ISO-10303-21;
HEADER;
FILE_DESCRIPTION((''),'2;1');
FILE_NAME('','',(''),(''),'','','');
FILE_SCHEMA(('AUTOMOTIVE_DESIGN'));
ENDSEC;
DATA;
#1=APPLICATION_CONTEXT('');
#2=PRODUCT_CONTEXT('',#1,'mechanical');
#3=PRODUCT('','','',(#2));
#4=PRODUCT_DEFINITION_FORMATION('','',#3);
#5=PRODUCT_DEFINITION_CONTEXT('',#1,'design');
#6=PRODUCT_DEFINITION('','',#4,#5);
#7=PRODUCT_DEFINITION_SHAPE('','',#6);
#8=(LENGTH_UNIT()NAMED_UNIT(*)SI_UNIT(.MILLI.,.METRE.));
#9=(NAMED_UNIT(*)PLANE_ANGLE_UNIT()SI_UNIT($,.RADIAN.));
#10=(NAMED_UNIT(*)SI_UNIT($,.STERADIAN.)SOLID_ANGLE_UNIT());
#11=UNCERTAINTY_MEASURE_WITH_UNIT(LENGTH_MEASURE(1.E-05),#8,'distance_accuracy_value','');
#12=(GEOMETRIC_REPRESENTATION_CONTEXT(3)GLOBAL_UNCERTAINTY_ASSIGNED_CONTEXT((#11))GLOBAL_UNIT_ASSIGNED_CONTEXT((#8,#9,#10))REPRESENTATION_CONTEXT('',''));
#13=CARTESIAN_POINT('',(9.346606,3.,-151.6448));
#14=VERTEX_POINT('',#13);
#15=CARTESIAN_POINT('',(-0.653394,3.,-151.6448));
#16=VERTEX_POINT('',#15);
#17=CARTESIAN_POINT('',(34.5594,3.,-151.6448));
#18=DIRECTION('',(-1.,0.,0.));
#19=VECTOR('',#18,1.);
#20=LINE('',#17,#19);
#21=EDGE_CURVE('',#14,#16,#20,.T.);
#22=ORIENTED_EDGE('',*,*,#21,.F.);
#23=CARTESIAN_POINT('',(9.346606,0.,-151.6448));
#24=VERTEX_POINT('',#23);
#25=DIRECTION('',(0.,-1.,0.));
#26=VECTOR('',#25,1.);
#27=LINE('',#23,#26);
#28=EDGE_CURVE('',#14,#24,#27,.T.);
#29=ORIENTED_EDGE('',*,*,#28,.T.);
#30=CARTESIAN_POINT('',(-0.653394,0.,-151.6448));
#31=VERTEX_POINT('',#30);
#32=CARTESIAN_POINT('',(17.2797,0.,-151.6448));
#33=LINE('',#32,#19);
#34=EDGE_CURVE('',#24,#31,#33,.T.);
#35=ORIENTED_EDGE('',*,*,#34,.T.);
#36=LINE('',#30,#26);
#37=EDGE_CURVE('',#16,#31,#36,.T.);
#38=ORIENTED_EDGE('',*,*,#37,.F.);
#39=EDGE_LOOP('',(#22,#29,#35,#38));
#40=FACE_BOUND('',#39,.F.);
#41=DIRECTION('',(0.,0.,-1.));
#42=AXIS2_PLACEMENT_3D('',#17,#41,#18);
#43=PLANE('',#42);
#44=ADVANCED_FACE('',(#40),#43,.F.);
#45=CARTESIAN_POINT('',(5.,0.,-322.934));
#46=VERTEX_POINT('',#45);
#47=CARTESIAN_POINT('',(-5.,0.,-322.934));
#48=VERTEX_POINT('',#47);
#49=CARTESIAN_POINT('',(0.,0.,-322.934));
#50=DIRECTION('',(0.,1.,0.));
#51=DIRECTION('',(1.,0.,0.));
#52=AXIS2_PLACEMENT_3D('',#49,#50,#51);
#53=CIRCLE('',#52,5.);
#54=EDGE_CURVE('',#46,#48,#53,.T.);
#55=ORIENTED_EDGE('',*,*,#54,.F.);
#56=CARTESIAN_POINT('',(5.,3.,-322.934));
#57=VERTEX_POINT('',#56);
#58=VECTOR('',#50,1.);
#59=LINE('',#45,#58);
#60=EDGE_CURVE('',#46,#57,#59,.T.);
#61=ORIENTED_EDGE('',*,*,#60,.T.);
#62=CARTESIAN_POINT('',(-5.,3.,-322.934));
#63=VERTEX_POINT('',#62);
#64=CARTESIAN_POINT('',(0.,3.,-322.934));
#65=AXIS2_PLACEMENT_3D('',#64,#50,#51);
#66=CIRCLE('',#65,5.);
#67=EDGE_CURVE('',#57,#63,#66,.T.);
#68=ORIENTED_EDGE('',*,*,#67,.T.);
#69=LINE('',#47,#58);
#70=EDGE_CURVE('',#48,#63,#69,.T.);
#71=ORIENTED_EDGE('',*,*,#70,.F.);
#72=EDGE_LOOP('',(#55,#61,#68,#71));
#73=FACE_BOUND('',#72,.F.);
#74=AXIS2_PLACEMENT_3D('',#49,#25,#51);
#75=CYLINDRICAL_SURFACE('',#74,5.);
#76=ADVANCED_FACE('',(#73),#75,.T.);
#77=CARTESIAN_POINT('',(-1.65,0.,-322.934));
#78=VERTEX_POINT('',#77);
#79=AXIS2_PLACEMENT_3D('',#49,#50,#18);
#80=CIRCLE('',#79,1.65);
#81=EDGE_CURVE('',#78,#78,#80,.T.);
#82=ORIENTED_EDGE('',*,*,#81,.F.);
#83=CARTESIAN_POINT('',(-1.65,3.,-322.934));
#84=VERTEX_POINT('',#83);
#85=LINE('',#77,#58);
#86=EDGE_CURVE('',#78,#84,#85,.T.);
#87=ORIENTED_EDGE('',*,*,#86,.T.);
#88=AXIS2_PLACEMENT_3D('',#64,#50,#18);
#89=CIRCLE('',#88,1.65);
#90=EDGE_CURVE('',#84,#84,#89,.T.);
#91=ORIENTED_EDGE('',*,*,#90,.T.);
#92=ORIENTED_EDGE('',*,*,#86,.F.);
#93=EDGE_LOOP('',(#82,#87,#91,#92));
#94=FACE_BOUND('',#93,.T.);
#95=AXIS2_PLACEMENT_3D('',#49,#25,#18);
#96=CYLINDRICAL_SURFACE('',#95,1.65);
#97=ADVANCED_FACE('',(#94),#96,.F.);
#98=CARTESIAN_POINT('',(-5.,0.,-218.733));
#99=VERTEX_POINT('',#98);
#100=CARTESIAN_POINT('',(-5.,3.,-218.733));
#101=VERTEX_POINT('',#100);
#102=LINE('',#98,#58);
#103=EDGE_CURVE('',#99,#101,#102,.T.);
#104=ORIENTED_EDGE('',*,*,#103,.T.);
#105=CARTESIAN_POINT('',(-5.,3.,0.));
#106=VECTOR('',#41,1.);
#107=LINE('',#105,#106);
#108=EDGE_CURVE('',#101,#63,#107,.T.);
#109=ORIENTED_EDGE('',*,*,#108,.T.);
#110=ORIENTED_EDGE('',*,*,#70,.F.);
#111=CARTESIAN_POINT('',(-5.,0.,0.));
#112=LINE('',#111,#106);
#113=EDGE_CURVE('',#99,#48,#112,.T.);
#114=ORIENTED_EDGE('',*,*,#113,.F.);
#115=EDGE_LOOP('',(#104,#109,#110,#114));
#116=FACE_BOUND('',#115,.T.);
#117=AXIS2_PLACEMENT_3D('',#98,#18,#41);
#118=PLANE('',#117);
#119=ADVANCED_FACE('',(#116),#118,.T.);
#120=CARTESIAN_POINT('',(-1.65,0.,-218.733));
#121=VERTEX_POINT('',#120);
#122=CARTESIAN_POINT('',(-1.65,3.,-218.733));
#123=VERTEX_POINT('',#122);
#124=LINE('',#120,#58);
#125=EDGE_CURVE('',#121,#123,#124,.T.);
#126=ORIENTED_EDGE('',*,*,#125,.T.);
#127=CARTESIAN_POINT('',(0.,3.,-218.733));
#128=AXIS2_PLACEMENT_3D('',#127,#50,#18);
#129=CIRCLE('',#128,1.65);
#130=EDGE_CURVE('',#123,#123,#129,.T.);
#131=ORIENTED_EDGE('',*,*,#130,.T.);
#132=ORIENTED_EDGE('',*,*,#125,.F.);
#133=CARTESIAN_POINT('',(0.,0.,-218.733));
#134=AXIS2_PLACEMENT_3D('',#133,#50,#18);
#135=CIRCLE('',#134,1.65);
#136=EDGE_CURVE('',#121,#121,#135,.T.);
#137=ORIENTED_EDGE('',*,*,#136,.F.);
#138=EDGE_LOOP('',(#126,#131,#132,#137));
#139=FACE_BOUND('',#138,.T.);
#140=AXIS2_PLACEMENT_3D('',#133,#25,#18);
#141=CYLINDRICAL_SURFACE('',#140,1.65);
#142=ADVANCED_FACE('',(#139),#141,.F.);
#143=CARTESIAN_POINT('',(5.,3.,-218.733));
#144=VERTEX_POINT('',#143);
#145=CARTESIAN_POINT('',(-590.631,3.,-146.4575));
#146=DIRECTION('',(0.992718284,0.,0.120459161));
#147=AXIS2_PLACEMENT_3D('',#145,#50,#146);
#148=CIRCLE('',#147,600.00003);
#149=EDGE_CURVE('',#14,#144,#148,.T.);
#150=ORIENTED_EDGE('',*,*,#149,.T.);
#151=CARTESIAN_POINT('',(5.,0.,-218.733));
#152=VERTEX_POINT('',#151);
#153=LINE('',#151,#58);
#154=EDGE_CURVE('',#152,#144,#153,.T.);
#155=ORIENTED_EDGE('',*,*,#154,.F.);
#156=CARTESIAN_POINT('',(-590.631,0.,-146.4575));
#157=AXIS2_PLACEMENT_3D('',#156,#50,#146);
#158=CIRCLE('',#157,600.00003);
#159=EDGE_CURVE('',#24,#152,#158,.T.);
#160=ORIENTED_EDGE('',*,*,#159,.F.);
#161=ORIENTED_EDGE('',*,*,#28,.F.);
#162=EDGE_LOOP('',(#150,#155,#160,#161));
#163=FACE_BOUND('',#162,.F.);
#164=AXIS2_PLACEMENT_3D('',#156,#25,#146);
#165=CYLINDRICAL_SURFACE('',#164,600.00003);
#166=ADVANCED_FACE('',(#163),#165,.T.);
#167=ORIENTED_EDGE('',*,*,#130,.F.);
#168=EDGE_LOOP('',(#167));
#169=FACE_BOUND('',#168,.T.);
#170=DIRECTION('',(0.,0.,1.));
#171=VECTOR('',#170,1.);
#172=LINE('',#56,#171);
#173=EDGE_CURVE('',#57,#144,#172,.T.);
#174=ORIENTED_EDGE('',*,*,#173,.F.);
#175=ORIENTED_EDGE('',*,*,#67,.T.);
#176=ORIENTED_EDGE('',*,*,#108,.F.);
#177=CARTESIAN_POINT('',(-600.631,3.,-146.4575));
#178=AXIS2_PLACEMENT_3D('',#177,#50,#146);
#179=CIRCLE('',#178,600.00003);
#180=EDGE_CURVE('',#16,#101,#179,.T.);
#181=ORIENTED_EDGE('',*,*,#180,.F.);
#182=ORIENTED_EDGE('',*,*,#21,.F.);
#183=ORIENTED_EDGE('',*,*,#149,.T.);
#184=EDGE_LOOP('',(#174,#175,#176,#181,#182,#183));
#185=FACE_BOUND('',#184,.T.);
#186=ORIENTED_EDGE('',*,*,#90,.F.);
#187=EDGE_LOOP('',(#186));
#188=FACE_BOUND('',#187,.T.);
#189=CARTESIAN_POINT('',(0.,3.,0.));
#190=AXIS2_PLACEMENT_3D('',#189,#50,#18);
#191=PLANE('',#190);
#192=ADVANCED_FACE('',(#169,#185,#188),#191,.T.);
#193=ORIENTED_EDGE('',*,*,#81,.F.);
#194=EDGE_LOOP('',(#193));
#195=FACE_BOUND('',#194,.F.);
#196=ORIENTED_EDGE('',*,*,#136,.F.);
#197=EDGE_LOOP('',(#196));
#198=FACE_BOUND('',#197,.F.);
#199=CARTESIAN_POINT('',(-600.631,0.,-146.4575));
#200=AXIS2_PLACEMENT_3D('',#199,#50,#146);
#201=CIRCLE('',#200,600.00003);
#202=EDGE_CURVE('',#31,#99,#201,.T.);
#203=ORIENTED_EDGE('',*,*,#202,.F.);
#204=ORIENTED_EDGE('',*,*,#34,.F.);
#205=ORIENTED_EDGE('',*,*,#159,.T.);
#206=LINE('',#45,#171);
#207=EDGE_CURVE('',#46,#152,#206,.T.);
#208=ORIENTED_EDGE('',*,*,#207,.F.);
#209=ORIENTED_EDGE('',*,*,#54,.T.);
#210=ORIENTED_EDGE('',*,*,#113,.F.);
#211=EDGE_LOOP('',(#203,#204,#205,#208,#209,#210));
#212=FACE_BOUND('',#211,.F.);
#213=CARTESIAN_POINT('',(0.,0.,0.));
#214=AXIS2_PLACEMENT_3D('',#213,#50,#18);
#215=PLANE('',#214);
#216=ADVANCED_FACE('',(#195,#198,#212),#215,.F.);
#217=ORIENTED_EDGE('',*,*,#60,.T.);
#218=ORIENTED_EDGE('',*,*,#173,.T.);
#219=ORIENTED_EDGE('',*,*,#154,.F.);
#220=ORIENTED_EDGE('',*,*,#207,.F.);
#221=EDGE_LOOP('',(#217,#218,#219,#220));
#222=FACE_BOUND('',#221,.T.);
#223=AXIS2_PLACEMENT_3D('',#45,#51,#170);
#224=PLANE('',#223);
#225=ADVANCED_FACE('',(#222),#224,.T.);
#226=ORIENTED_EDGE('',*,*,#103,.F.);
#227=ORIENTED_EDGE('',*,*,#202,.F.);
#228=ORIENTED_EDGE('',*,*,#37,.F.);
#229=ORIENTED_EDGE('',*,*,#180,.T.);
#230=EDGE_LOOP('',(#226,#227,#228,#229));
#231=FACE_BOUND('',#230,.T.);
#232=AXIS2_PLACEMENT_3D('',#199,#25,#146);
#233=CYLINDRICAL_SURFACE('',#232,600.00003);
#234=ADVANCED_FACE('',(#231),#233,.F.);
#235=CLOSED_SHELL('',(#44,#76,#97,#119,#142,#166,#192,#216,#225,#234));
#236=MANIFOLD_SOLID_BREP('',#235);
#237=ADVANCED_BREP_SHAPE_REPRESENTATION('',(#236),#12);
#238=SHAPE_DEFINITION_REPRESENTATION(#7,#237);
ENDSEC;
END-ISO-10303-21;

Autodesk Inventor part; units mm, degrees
ref_plane "YZ Plane" through (0, 0, 0) normal (1, 0, 0) x (0, 1, 0)
ref_plane "XZ Plane" through (0, 0, 0) normal (0, 1, 0) x (-1, 0, 0)
ref_plane "XY Plane" through (0, 0, 0) normal (0, 0, 1) x (1, 0, 0)
sketch "Sketch1" plane through (0, 0, 0) normal (0, 1, 0) x (-1, 0, 0)
  line L0 (0, 0) -> (0, -322.934) construction
  line L1 (5, 0) -> (5, -322.934)
  line L2 (-5, -322.934) -> (-5, 0)
  arc A0 (5, 0) -> (-5, 0) centre (0, 0) ccw
  arc A1 (-5, -322.934) -> (5, -322.934) centre (0, -322.934) ccw
  circle A2 centre (0, 0) radius 1.65
  circle A3 centre (0, -322.934) radius 1.65
  circle A4 centre (0, -74.182) radius 1.65
  circle A5 centre (0, -218.733) radius 1.65
  arc A6 (5, -74.182) -> (5, -218.733) centre (600.631, -146.4575) ccw
  arc A7 (-5, -74.182) -> (-5, -218.733) centre (590.631, -146.4575) ccw
  point P0 (0, -161.467)
  dimension "d0" = 3.3
  dimension "d1" = 3.3
  dimension "d2" = 10
  dimension "d3" = 322.934
  dimension "d4" = 3.3
  dimension "d5" = 74.182
  dimension "d8" = 3.3
  dimension "d9" = 218.733
  dimension "d12" = 600
  dimension "d13" = 600
extrude "Extrusion1" add sketch "Sketch1" along normal blind 3 contours L1 A6 A1 L2 A0 | L2 A7
sketch "Sketch2" plane through (0, 3, 0) normal (0, 1, 0) x (1, 0, 0)
  line L0 (-80.742, 377.6004) -> (86.5972, 377.6004)
  line L1 (86.5972, 377.6004) -> (86.5972, -99.7148)
  line L2 (86.5972, -99.7148) -> (-80.742, -99.7148)
  line L3 (-80.742, -99.7148) -> (-80.742, 377.6004)
  line L4 (-25.6776, 342.7032) -> (34.5594, 342.7032)
  line L5 (34.5594, 342.7032) -> (34.5594, 151.6448)
  line L6 (34.5594, 151.6448) -> (-25.6776, 151.6448)
  line L7 (-25.6776, 151.6448) -> (-25.6776, 342.7032)
  point P0 (0, 0)
extrude "Extrusion2" cut sketch "Sketch2" against normal blind 100
properties part number "Part_3_p2"
